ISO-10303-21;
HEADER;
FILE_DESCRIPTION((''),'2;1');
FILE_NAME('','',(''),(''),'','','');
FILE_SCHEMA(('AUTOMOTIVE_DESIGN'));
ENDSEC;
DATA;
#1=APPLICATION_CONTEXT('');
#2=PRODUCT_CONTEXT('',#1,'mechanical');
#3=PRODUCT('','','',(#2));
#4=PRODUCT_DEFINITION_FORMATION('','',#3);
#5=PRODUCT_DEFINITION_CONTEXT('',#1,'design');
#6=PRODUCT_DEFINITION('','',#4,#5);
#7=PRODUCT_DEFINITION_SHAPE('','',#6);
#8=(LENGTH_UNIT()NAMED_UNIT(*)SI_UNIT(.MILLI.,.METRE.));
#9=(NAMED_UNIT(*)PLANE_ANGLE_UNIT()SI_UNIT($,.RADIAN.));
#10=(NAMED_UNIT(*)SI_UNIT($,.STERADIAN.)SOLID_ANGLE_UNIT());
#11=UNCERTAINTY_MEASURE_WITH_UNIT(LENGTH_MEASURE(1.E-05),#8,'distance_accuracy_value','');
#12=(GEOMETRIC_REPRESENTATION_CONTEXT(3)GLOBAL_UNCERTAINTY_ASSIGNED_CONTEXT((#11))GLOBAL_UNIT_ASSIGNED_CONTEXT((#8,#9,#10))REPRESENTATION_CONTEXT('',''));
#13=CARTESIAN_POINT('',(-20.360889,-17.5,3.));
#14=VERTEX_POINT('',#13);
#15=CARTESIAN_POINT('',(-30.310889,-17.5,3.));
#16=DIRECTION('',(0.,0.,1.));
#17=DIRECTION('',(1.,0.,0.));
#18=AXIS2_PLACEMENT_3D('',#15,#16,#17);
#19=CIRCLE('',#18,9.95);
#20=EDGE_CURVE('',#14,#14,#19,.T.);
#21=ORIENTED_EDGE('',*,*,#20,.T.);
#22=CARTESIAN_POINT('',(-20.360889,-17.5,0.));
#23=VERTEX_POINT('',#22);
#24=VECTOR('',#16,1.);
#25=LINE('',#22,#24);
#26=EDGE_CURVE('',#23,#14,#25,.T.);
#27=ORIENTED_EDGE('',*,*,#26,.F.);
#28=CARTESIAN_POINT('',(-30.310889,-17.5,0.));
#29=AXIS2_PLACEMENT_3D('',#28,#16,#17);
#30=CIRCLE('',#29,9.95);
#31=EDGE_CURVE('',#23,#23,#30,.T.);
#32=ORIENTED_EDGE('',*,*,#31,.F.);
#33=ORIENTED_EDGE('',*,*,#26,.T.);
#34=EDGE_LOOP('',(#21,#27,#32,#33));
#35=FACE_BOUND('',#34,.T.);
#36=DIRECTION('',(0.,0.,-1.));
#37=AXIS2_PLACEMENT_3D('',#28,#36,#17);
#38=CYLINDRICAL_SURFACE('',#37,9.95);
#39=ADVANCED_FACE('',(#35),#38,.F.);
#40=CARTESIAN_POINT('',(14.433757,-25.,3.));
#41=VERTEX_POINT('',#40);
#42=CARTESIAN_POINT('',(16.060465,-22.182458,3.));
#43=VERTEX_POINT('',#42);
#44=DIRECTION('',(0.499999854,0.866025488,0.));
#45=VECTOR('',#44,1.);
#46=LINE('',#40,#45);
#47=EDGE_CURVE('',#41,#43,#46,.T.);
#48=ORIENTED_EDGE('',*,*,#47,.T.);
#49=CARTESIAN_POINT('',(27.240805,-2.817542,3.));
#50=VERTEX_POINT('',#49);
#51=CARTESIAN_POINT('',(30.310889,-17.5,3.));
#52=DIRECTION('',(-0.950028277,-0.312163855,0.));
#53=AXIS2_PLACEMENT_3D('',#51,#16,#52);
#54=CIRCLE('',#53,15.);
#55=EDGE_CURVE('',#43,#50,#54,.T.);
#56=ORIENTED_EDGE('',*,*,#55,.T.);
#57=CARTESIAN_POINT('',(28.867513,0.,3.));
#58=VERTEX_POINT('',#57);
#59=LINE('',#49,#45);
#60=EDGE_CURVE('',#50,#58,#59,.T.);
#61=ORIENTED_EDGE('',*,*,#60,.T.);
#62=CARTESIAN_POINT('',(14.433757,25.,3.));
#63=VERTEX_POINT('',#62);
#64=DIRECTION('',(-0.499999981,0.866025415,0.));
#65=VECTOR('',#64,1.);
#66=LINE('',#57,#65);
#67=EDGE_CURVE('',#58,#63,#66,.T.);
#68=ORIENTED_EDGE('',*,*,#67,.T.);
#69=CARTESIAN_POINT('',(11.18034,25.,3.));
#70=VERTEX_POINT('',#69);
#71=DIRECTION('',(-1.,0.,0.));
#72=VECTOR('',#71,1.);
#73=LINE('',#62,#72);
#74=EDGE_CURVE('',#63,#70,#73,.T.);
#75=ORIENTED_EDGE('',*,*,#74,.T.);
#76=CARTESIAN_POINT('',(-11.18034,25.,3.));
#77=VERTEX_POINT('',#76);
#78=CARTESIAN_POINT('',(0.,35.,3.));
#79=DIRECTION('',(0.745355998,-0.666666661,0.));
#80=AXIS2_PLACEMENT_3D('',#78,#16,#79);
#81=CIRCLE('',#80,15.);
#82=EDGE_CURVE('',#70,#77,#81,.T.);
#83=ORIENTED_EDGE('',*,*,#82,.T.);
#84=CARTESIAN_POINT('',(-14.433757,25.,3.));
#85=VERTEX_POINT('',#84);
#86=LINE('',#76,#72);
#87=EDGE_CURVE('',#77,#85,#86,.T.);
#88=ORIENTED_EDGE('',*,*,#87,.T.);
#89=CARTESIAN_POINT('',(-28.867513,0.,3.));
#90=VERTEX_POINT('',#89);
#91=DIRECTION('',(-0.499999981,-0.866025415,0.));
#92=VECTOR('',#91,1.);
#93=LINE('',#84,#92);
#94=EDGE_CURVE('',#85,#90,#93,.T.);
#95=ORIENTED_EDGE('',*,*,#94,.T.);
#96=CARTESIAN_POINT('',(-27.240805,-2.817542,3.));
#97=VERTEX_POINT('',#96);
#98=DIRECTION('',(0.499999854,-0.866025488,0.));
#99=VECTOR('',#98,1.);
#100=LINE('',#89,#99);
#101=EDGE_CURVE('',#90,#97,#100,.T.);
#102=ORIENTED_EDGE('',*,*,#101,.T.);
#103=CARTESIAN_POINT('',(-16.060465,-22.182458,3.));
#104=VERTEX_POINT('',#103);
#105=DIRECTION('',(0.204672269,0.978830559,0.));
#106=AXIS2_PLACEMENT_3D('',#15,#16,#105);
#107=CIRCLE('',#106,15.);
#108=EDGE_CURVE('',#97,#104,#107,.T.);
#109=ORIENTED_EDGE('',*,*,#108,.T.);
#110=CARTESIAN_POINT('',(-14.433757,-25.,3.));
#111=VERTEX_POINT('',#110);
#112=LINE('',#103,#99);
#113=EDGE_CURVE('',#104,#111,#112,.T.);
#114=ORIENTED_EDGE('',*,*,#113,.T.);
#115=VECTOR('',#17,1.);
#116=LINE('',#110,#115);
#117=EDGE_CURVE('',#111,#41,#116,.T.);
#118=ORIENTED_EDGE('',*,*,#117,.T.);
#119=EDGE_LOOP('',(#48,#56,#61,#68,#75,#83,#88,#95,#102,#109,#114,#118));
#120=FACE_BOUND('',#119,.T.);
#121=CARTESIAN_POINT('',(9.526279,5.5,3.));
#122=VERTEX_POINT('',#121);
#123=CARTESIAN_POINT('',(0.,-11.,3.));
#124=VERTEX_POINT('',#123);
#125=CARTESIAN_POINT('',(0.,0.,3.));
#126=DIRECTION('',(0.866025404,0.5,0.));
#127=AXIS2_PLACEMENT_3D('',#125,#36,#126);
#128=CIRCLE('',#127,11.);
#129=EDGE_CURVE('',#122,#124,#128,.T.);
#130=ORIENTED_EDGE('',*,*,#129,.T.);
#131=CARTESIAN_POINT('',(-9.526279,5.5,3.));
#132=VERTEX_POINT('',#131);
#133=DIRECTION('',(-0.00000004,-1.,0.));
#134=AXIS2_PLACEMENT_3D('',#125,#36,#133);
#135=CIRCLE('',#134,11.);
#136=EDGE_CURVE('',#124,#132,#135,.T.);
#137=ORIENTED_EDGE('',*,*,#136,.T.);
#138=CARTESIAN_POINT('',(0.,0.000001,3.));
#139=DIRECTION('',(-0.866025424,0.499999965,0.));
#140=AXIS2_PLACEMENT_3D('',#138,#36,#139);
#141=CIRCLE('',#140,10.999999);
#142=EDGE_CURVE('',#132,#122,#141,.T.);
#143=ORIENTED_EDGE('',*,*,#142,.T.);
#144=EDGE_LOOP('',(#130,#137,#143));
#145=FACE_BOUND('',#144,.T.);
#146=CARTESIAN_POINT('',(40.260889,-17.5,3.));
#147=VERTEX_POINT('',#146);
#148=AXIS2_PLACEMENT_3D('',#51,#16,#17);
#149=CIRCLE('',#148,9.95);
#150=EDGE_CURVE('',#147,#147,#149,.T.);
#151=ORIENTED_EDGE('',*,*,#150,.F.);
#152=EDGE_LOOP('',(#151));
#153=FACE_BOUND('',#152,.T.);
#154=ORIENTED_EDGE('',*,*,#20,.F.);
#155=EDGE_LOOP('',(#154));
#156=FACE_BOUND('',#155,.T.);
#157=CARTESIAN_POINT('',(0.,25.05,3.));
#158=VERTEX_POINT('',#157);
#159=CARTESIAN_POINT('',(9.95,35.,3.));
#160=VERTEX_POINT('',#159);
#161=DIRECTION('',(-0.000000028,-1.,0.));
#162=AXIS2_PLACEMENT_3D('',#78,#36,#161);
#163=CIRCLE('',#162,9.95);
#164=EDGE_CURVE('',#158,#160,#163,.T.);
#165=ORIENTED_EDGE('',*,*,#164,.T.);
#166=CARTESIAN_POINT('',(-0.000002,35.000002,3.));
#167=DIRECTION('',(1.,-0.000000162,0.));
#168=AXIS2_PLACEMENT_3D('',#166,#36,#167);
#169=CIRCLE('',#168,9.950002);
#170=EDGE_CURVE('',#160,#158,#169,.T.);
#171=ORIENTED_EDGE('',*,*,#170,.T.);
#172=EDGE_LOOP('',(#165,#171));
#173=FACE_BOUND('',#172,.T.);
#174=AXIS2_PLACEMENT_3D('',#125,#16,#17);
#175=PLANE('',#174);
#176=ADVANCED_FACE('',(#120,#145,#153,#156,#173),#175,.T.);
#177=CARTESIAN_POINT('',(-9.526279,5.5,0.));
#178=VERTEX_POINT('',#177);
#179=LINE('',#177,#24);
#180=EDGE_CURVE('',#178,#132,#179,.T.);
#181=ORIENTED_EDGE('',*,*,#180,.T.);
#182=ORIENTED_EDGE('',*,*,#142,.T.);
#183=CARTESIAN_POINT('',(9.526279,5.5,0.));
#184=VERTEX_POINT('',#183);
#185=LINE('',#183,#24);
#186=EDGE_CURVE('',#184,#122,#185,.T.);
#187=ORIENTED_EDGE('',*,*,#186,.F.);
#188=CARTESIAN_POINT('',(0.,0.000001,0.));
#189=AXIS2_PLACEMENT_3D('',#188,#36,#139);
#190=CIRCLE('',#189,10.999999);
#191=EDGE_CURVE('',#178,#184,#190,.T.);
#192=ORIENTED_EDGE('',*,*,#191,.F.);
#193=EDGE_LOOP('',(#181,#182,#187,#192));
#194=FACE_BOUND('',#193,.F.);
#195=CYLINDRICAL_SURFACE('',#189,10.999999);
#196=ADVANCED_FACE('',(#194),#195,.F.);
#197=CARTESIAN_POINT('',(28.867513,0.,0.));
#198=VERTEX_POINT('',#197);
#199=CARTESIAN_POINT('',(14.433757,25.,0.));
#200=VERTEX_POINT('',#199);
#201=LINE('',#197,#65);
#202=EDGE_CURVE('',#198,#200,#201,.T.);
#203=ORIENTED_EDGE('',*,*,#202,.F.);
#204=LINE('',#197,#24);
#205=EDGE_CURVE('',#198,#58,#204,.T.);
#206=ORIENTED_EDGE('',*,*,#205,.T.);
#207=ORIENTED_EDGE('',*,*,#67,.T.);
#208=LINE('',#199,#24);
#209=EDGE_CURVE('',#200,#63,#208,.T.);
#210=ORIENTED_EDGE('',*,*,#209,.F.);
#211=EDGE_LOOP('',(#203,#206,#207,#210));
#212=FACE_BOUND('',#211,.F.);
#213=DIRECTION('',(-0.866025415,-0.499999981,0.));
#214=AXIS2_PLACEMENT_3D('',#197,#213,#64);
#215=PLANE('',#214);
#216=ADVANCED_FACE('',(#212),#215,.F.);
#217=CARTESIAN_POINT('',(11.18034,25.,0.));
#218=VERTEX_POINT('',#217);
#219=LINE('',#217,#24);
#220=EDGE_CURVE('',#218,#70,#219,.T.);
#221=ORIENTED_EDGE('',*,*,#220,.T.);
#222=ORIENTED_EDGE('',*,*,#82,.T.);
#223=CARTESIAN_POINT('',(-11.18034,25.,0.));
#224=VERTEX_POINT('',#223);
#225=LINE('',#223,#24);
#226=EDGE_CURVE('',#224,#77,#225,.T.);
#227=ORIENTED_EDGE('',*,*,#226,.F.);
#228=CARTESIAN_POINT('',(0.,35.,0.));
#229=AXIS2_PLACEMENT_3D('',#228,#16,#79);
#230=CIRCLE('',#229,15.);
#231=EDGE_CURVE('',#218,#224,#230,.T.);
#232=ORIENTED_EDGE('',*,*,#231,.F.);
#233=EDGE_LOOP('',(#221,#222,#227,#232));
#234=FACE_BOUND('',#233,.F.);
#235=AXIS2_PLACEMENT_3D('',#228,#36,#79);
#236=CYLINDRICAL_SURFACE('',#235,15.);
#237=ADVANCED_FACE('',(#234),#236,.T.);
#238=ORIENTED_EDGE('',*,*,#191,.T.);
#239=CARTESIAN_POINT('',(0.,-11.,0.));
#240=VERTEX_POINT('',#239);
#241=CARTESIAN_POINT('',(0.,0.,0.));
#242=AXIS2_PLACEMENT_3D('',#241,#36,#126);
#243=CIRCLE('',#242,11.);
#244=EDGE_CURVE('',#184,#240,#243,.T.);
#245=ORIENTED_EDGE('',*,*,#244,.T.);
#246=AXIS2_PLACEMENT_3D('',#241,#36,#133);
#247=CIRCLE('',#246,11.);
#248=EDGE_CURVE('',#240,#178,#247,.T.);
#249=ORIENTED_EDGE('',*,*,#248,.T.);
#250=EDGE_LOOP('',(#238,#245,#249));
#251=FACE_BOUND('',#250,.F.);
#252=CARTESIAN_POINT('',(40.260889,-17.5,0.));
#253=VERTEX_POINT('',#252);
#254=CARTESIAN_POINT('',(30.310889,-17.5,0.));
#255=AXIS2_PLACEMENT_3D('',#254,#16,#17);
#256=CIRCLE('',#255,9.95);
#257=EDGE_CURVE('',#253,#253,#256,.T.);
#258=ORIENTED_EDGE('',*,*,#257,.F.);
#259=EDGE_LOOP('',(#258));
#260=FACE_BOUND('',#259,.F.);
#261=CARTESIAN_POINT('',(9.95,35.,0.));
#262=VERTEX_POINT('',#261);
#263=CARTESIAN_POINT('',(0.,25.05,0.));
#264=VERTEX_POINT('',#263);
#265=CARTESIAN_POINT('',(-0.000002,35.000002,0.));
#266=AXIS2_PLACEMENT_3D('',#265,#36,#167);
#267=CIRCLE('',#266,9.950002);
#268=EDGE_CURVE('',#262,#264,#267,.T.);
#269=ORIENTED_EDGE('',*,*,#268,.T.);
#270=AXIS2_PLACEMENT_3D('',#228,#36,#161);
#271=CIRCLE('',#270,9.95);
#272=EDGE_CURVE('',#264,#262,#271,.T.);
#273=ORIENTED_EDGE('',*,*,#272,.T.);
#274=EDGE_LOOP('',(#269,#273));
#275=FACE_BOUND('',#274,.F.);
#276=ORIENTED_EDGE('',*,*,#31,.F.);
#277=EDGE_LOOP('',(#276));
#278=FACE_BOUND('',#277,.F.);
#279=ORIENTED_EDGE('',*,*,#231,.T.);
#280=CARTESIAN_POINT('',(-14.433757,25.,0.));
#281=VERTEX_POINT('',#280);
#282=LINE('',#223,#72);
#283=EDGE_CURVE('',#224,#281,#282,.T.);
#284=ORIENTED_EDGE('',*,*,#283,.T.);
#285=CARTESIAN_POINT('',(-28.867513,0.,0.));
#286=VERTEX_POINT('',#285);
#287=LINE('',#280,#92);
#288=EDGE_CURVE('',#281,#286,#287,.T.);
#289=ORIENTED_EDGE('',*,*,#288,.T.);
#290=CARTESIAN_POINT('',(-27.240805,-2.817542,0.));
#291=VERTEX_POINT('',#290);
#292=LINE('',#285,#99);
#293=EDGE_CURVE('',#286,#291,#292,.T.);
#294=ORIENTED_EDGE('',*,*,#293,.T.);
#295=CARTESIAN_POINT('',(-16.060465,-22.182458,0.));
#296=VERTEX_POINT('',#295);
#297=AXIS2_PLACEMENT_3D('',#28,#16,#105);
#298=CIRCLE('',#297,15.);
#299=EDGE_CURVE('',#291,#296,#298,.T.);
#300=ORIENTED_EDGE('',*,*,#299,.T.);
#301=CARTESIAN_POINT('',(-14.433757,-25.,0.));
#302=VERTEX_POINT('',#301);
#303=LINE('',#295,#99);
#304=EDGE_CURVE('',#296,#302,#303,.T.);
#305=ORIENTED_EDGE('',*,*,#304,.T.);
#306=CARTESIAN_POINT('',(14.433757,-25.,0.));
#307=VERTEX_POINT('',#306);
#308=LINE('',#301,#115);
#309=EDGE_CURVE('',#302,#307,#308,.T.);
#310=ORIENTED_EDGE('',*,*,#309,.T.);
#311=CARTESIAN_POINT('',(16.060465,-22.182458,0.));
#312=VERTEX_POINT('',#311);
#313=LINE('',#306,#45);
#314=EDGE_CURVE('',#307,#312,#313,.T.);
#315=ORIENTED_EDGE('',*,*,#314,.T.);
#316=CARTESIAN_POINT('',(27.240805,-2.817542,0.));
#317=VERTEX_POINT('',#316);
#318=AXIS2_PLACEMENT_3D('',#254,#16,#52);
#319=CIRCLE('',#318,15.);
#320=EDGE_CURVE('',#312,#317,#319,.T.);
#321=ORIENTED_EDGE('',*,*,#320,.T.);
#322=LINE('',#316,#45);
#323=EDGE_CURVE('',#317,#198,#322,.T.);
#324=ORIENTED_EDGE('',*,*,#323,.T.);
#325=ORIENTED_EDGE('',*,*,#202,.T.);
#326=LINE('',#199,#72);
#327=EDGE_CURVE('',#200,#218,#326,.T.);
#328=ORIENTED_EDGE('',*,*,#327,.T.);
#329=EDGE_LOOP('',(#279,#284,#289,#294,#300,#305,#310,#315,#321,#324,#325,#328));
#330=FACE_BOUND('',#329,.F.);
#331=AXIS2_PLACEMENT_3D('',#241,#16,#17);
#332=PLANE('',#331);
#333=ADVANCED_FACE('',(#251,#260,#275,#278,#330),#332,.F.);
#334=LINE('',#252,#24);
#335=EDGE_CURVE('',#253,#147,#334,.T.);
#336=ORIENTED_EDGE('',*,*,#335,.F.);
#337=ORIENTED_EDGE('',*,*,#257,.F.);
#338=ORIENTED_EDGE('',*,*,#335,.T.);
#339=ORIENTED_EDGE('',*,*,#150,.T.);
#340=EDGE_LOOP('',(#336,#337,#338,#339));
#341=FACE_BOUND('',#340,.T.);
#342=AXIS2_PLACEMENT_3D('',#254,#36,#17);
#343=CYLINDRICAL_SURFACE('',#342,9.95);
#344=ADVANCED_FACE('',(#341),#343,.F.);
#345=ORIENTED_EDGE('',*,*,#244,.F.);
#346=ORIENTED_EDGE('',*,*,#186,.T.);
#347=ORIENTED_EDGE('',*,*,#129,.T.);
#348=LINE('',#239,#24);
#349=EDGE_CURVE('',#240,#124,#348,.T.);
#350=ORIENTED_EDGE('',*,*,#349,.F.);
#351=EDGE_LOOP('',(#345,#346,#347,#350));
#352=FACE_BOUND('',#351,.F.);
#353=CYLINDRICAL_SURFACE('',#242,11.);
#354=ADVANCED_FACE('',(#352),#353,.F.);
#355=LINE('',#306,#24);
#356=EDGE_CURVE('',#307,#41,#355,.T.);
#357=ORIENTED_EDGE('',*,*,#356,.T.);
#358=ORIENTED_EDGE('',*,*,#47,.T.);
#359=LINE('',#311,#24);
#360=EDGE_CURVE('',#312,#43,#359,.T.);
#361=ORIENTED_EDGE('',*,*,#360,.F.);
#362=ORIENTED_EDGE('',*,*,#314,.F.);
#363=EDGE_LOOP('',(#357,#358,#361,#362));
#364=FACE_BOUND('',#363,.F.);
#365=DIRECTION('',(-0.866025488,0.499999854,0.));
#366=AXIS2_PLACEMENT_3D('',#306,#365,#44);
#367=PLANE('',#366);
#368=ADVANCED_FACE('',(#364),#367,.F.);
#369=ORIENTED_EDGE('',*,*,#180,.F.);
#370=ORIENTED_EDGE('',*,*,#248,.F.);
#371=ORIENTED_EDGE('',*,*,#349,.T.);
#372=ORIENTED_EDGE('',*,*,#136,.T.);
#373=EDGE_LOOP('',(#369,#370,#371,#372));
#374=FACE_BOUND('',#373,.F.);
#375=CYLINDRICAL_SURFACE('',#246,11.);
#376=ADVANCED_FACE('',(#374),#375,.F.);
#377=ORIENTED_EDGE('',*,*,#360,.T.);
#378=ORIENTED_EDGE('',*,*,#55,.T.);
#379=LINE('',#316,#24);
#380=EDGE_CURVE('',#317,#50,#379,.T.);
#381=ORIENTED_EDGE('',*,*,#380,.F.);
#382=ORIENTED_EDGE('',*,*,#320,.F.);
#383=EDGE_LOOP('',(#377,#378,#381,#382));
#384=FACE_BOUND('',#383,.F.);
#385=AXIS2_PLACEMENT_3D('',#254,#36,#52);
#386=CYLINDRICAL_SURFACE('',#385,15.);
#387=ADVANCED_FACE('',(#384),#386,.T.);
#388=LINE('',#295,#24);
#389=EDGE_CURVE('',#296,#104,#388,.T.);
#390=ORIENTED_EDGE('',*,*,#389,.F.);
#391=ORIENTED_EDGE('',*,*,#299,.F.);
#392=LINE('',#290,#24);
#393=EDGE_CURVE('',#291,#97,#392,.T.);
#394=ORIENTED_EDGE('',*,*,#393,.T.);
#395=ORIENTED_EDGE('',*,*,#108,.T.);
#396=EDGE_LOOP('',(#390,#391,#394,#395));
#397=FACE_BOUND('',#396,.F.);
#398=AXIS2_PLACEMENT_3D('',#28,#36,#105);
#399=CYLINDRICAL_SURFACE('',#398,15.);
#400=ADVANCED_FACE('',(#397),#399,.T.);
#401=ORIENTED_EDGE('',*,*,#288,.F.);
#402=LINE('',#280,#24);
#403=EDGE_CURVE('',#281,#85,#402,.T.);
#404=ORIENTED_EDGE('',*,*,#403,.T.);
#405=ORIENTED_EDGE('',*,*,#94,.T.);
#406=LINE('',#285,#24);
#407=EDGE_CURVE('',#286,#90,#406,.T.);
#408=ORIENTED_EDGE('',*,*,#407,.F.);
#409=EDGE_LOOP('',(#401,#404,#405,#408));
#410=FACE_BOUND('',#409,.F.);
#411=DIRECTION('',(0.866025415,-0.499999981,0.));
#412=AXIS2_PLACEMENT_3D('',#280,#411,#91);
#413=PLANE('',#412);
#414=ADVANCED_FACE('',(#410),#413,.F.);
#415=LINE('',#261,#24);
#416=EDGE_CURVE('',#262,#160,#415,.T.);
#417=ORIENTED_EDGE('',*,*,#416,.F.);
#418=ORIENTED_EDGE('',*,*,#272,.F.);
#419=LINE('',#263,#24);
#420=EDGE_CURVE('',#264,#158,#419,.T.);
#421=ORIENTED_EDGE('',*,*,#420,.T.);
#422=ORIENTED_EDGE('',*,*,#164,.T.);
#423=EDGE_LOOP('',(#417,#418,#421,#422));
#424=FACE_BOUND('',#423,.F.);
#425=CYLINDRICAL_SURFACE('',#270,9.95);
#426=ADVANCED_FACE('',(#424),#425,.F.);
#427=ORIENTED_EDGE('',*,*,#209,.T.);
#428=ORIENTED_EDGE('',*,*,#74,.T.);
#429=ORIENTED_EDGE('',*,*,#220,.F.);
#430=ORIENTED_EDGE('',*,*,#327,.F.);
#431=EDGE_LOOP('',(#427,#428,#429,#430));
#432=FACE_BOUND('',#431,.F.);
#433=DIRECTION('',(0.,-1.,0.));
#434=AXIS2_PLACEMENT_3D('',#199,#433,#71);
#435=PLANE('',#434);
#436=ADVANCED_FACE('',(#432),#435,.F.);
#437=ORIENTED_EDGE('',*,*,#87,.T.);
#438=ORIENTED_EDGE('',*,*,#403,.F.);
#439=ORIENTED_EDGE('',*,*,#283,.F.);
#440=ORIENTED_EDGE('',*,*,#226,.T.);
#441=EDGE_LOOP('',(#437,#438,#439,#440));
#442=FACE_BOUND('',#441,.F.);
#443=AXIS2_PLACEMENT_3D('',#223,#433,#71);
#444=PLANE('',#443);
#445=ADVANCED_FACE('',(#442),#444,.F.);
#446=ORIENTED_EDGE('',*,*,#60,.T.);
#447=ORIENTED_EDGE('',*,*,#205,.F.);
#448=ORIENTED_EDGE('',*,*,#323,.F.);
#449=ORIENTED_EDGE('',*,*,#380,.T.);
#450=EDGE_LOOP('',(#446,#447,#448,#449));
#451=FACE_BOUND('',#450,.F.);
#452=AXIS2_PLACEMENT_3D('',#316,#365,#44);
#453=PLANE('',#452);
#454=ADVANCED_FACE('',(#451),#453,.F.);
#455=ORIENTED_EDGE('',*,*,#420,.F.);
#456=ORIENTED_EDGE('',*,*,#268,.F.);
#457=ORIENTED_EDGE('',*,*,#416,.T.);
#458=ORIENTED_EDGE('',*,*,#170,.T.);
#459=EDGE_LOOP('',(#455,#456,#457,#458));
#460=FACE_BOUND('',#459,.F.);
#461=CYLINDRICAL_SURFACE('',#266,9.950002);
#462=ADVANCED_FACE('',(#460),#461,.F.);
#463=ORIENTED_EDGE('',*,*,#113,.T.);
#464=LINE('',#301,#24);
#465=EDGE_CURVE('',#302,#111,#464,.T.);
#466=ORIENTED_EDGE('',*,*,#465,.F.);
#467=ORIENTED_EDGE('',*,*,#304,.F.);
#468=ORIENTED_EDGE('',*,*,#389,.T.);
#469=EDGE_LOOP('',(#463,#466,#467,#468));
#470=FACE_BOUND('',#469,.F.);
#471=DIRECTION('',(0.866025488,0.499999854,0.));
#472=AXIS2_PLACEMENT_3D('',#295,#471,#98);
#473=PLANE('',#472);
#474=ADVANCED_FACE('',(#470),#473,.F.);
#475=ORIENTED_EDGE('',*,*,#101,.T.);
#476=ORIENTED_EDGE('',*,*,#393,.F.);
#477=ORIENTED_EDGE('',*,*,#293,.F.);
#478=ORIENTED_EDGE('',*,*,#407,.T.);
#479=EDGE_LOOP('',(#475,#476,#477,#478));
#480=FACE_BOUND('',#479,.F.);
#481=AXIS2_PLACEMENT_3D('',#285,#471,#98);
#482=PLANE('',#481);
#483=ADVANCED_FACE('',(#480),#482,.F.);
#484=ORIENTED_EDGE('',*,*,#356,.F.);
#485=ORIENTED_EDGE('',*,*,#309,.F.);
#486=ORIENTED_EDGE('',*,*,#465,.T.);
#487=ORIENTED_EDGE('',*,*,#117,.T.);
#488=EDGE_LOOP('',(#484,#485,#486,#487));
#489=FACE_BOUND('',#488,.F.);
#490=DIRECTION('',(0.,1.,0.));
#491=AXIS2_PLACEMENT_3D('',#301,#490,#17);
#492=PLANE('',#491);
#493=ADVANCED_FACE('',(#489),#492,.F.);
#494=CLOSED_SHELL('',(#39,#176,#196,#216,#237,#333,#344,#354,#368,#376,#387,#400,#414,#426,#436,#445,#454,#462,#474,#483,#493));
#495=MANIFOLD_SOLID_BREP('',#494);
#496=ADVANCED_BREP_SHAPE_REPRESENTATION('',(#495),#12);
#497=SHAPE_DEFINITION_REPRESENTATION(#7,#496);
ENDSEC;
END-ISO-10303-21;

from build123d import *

# Parameters (mm, degrees)
F0_R     = 9.95
F1_DEPTH = 3


with BuildPart() as f1:
    # F0 (on Top) → F1 (new body)
    with BuildSketch(Plane.XY):
        with BuildLine():
            Line((-11.18034, 25), (-14.433757, 25))
            Line((-14.433757, 25), (-21.650635, 12.5))
            Line((-21.650635, 12.5), (-28.867513, 0))
            Line((-28.867513, 0), (-27.240805, -2.817542))
            ThreePointArc((-27.240805, -2.817542), (-43.30127, -25), (-16.060465, -22.182458))
            Line((-16.060465, -22.182458), (-14.433757, -25))
            Line((-14.433757, -25), (0, -25))
            Line((0, -25), (14.433757, -25))
            Line((14.433757, -25), (16.060465, -22.182458))
            ThreePointArc((16.060465, -22.182458), (43.30127, -25), (27.240805, -2.817542))
            Line((27.240805, -2.817542), (28.867513, 0))
            Line((28.867513, 0), (21.650635, 12.5))
            Line((21.650635, 12.5), (14.433757, 25))
            Line((14.433757, 25), (11.18034, 25))
            ThreePointArc((11.18034, 25), (0, 50), (-11.18034, 25))
        make_face()
        with Locations((-30.310889, -17.5)):
            Circle(F0_R, mode=Mode.SUBTRACT)
        with Locations((30.310889, -17.5)):
            Circle(F0_R, mode=Mode.SUBTRACT)
        with BuildLine():
            ThreePointArc((-9.526279, 5.5), (0, 11), (9.526279, 5.5))
            ThreePointArc((9.526279, 5.5), (9.526279, -5.5), (0, -11))
            ThreePointArc((0, -11), (-9.526279, -5.5), (-9.526279, 5.5))
        make_face(mode=Mode.SUBTRACT)
        with BuildLine():
            ThreePointArc((0, 25.05), (-7.035712, 42.035712), (9.95, 35))
            ThreePointArc((9.95, 35), (7.035712, 27.964288), (0, 25.05))
        make_face(mode=Mode.SUBTRACT)
    extrude(amount=F1_DEPTH)


solid = f1.part
